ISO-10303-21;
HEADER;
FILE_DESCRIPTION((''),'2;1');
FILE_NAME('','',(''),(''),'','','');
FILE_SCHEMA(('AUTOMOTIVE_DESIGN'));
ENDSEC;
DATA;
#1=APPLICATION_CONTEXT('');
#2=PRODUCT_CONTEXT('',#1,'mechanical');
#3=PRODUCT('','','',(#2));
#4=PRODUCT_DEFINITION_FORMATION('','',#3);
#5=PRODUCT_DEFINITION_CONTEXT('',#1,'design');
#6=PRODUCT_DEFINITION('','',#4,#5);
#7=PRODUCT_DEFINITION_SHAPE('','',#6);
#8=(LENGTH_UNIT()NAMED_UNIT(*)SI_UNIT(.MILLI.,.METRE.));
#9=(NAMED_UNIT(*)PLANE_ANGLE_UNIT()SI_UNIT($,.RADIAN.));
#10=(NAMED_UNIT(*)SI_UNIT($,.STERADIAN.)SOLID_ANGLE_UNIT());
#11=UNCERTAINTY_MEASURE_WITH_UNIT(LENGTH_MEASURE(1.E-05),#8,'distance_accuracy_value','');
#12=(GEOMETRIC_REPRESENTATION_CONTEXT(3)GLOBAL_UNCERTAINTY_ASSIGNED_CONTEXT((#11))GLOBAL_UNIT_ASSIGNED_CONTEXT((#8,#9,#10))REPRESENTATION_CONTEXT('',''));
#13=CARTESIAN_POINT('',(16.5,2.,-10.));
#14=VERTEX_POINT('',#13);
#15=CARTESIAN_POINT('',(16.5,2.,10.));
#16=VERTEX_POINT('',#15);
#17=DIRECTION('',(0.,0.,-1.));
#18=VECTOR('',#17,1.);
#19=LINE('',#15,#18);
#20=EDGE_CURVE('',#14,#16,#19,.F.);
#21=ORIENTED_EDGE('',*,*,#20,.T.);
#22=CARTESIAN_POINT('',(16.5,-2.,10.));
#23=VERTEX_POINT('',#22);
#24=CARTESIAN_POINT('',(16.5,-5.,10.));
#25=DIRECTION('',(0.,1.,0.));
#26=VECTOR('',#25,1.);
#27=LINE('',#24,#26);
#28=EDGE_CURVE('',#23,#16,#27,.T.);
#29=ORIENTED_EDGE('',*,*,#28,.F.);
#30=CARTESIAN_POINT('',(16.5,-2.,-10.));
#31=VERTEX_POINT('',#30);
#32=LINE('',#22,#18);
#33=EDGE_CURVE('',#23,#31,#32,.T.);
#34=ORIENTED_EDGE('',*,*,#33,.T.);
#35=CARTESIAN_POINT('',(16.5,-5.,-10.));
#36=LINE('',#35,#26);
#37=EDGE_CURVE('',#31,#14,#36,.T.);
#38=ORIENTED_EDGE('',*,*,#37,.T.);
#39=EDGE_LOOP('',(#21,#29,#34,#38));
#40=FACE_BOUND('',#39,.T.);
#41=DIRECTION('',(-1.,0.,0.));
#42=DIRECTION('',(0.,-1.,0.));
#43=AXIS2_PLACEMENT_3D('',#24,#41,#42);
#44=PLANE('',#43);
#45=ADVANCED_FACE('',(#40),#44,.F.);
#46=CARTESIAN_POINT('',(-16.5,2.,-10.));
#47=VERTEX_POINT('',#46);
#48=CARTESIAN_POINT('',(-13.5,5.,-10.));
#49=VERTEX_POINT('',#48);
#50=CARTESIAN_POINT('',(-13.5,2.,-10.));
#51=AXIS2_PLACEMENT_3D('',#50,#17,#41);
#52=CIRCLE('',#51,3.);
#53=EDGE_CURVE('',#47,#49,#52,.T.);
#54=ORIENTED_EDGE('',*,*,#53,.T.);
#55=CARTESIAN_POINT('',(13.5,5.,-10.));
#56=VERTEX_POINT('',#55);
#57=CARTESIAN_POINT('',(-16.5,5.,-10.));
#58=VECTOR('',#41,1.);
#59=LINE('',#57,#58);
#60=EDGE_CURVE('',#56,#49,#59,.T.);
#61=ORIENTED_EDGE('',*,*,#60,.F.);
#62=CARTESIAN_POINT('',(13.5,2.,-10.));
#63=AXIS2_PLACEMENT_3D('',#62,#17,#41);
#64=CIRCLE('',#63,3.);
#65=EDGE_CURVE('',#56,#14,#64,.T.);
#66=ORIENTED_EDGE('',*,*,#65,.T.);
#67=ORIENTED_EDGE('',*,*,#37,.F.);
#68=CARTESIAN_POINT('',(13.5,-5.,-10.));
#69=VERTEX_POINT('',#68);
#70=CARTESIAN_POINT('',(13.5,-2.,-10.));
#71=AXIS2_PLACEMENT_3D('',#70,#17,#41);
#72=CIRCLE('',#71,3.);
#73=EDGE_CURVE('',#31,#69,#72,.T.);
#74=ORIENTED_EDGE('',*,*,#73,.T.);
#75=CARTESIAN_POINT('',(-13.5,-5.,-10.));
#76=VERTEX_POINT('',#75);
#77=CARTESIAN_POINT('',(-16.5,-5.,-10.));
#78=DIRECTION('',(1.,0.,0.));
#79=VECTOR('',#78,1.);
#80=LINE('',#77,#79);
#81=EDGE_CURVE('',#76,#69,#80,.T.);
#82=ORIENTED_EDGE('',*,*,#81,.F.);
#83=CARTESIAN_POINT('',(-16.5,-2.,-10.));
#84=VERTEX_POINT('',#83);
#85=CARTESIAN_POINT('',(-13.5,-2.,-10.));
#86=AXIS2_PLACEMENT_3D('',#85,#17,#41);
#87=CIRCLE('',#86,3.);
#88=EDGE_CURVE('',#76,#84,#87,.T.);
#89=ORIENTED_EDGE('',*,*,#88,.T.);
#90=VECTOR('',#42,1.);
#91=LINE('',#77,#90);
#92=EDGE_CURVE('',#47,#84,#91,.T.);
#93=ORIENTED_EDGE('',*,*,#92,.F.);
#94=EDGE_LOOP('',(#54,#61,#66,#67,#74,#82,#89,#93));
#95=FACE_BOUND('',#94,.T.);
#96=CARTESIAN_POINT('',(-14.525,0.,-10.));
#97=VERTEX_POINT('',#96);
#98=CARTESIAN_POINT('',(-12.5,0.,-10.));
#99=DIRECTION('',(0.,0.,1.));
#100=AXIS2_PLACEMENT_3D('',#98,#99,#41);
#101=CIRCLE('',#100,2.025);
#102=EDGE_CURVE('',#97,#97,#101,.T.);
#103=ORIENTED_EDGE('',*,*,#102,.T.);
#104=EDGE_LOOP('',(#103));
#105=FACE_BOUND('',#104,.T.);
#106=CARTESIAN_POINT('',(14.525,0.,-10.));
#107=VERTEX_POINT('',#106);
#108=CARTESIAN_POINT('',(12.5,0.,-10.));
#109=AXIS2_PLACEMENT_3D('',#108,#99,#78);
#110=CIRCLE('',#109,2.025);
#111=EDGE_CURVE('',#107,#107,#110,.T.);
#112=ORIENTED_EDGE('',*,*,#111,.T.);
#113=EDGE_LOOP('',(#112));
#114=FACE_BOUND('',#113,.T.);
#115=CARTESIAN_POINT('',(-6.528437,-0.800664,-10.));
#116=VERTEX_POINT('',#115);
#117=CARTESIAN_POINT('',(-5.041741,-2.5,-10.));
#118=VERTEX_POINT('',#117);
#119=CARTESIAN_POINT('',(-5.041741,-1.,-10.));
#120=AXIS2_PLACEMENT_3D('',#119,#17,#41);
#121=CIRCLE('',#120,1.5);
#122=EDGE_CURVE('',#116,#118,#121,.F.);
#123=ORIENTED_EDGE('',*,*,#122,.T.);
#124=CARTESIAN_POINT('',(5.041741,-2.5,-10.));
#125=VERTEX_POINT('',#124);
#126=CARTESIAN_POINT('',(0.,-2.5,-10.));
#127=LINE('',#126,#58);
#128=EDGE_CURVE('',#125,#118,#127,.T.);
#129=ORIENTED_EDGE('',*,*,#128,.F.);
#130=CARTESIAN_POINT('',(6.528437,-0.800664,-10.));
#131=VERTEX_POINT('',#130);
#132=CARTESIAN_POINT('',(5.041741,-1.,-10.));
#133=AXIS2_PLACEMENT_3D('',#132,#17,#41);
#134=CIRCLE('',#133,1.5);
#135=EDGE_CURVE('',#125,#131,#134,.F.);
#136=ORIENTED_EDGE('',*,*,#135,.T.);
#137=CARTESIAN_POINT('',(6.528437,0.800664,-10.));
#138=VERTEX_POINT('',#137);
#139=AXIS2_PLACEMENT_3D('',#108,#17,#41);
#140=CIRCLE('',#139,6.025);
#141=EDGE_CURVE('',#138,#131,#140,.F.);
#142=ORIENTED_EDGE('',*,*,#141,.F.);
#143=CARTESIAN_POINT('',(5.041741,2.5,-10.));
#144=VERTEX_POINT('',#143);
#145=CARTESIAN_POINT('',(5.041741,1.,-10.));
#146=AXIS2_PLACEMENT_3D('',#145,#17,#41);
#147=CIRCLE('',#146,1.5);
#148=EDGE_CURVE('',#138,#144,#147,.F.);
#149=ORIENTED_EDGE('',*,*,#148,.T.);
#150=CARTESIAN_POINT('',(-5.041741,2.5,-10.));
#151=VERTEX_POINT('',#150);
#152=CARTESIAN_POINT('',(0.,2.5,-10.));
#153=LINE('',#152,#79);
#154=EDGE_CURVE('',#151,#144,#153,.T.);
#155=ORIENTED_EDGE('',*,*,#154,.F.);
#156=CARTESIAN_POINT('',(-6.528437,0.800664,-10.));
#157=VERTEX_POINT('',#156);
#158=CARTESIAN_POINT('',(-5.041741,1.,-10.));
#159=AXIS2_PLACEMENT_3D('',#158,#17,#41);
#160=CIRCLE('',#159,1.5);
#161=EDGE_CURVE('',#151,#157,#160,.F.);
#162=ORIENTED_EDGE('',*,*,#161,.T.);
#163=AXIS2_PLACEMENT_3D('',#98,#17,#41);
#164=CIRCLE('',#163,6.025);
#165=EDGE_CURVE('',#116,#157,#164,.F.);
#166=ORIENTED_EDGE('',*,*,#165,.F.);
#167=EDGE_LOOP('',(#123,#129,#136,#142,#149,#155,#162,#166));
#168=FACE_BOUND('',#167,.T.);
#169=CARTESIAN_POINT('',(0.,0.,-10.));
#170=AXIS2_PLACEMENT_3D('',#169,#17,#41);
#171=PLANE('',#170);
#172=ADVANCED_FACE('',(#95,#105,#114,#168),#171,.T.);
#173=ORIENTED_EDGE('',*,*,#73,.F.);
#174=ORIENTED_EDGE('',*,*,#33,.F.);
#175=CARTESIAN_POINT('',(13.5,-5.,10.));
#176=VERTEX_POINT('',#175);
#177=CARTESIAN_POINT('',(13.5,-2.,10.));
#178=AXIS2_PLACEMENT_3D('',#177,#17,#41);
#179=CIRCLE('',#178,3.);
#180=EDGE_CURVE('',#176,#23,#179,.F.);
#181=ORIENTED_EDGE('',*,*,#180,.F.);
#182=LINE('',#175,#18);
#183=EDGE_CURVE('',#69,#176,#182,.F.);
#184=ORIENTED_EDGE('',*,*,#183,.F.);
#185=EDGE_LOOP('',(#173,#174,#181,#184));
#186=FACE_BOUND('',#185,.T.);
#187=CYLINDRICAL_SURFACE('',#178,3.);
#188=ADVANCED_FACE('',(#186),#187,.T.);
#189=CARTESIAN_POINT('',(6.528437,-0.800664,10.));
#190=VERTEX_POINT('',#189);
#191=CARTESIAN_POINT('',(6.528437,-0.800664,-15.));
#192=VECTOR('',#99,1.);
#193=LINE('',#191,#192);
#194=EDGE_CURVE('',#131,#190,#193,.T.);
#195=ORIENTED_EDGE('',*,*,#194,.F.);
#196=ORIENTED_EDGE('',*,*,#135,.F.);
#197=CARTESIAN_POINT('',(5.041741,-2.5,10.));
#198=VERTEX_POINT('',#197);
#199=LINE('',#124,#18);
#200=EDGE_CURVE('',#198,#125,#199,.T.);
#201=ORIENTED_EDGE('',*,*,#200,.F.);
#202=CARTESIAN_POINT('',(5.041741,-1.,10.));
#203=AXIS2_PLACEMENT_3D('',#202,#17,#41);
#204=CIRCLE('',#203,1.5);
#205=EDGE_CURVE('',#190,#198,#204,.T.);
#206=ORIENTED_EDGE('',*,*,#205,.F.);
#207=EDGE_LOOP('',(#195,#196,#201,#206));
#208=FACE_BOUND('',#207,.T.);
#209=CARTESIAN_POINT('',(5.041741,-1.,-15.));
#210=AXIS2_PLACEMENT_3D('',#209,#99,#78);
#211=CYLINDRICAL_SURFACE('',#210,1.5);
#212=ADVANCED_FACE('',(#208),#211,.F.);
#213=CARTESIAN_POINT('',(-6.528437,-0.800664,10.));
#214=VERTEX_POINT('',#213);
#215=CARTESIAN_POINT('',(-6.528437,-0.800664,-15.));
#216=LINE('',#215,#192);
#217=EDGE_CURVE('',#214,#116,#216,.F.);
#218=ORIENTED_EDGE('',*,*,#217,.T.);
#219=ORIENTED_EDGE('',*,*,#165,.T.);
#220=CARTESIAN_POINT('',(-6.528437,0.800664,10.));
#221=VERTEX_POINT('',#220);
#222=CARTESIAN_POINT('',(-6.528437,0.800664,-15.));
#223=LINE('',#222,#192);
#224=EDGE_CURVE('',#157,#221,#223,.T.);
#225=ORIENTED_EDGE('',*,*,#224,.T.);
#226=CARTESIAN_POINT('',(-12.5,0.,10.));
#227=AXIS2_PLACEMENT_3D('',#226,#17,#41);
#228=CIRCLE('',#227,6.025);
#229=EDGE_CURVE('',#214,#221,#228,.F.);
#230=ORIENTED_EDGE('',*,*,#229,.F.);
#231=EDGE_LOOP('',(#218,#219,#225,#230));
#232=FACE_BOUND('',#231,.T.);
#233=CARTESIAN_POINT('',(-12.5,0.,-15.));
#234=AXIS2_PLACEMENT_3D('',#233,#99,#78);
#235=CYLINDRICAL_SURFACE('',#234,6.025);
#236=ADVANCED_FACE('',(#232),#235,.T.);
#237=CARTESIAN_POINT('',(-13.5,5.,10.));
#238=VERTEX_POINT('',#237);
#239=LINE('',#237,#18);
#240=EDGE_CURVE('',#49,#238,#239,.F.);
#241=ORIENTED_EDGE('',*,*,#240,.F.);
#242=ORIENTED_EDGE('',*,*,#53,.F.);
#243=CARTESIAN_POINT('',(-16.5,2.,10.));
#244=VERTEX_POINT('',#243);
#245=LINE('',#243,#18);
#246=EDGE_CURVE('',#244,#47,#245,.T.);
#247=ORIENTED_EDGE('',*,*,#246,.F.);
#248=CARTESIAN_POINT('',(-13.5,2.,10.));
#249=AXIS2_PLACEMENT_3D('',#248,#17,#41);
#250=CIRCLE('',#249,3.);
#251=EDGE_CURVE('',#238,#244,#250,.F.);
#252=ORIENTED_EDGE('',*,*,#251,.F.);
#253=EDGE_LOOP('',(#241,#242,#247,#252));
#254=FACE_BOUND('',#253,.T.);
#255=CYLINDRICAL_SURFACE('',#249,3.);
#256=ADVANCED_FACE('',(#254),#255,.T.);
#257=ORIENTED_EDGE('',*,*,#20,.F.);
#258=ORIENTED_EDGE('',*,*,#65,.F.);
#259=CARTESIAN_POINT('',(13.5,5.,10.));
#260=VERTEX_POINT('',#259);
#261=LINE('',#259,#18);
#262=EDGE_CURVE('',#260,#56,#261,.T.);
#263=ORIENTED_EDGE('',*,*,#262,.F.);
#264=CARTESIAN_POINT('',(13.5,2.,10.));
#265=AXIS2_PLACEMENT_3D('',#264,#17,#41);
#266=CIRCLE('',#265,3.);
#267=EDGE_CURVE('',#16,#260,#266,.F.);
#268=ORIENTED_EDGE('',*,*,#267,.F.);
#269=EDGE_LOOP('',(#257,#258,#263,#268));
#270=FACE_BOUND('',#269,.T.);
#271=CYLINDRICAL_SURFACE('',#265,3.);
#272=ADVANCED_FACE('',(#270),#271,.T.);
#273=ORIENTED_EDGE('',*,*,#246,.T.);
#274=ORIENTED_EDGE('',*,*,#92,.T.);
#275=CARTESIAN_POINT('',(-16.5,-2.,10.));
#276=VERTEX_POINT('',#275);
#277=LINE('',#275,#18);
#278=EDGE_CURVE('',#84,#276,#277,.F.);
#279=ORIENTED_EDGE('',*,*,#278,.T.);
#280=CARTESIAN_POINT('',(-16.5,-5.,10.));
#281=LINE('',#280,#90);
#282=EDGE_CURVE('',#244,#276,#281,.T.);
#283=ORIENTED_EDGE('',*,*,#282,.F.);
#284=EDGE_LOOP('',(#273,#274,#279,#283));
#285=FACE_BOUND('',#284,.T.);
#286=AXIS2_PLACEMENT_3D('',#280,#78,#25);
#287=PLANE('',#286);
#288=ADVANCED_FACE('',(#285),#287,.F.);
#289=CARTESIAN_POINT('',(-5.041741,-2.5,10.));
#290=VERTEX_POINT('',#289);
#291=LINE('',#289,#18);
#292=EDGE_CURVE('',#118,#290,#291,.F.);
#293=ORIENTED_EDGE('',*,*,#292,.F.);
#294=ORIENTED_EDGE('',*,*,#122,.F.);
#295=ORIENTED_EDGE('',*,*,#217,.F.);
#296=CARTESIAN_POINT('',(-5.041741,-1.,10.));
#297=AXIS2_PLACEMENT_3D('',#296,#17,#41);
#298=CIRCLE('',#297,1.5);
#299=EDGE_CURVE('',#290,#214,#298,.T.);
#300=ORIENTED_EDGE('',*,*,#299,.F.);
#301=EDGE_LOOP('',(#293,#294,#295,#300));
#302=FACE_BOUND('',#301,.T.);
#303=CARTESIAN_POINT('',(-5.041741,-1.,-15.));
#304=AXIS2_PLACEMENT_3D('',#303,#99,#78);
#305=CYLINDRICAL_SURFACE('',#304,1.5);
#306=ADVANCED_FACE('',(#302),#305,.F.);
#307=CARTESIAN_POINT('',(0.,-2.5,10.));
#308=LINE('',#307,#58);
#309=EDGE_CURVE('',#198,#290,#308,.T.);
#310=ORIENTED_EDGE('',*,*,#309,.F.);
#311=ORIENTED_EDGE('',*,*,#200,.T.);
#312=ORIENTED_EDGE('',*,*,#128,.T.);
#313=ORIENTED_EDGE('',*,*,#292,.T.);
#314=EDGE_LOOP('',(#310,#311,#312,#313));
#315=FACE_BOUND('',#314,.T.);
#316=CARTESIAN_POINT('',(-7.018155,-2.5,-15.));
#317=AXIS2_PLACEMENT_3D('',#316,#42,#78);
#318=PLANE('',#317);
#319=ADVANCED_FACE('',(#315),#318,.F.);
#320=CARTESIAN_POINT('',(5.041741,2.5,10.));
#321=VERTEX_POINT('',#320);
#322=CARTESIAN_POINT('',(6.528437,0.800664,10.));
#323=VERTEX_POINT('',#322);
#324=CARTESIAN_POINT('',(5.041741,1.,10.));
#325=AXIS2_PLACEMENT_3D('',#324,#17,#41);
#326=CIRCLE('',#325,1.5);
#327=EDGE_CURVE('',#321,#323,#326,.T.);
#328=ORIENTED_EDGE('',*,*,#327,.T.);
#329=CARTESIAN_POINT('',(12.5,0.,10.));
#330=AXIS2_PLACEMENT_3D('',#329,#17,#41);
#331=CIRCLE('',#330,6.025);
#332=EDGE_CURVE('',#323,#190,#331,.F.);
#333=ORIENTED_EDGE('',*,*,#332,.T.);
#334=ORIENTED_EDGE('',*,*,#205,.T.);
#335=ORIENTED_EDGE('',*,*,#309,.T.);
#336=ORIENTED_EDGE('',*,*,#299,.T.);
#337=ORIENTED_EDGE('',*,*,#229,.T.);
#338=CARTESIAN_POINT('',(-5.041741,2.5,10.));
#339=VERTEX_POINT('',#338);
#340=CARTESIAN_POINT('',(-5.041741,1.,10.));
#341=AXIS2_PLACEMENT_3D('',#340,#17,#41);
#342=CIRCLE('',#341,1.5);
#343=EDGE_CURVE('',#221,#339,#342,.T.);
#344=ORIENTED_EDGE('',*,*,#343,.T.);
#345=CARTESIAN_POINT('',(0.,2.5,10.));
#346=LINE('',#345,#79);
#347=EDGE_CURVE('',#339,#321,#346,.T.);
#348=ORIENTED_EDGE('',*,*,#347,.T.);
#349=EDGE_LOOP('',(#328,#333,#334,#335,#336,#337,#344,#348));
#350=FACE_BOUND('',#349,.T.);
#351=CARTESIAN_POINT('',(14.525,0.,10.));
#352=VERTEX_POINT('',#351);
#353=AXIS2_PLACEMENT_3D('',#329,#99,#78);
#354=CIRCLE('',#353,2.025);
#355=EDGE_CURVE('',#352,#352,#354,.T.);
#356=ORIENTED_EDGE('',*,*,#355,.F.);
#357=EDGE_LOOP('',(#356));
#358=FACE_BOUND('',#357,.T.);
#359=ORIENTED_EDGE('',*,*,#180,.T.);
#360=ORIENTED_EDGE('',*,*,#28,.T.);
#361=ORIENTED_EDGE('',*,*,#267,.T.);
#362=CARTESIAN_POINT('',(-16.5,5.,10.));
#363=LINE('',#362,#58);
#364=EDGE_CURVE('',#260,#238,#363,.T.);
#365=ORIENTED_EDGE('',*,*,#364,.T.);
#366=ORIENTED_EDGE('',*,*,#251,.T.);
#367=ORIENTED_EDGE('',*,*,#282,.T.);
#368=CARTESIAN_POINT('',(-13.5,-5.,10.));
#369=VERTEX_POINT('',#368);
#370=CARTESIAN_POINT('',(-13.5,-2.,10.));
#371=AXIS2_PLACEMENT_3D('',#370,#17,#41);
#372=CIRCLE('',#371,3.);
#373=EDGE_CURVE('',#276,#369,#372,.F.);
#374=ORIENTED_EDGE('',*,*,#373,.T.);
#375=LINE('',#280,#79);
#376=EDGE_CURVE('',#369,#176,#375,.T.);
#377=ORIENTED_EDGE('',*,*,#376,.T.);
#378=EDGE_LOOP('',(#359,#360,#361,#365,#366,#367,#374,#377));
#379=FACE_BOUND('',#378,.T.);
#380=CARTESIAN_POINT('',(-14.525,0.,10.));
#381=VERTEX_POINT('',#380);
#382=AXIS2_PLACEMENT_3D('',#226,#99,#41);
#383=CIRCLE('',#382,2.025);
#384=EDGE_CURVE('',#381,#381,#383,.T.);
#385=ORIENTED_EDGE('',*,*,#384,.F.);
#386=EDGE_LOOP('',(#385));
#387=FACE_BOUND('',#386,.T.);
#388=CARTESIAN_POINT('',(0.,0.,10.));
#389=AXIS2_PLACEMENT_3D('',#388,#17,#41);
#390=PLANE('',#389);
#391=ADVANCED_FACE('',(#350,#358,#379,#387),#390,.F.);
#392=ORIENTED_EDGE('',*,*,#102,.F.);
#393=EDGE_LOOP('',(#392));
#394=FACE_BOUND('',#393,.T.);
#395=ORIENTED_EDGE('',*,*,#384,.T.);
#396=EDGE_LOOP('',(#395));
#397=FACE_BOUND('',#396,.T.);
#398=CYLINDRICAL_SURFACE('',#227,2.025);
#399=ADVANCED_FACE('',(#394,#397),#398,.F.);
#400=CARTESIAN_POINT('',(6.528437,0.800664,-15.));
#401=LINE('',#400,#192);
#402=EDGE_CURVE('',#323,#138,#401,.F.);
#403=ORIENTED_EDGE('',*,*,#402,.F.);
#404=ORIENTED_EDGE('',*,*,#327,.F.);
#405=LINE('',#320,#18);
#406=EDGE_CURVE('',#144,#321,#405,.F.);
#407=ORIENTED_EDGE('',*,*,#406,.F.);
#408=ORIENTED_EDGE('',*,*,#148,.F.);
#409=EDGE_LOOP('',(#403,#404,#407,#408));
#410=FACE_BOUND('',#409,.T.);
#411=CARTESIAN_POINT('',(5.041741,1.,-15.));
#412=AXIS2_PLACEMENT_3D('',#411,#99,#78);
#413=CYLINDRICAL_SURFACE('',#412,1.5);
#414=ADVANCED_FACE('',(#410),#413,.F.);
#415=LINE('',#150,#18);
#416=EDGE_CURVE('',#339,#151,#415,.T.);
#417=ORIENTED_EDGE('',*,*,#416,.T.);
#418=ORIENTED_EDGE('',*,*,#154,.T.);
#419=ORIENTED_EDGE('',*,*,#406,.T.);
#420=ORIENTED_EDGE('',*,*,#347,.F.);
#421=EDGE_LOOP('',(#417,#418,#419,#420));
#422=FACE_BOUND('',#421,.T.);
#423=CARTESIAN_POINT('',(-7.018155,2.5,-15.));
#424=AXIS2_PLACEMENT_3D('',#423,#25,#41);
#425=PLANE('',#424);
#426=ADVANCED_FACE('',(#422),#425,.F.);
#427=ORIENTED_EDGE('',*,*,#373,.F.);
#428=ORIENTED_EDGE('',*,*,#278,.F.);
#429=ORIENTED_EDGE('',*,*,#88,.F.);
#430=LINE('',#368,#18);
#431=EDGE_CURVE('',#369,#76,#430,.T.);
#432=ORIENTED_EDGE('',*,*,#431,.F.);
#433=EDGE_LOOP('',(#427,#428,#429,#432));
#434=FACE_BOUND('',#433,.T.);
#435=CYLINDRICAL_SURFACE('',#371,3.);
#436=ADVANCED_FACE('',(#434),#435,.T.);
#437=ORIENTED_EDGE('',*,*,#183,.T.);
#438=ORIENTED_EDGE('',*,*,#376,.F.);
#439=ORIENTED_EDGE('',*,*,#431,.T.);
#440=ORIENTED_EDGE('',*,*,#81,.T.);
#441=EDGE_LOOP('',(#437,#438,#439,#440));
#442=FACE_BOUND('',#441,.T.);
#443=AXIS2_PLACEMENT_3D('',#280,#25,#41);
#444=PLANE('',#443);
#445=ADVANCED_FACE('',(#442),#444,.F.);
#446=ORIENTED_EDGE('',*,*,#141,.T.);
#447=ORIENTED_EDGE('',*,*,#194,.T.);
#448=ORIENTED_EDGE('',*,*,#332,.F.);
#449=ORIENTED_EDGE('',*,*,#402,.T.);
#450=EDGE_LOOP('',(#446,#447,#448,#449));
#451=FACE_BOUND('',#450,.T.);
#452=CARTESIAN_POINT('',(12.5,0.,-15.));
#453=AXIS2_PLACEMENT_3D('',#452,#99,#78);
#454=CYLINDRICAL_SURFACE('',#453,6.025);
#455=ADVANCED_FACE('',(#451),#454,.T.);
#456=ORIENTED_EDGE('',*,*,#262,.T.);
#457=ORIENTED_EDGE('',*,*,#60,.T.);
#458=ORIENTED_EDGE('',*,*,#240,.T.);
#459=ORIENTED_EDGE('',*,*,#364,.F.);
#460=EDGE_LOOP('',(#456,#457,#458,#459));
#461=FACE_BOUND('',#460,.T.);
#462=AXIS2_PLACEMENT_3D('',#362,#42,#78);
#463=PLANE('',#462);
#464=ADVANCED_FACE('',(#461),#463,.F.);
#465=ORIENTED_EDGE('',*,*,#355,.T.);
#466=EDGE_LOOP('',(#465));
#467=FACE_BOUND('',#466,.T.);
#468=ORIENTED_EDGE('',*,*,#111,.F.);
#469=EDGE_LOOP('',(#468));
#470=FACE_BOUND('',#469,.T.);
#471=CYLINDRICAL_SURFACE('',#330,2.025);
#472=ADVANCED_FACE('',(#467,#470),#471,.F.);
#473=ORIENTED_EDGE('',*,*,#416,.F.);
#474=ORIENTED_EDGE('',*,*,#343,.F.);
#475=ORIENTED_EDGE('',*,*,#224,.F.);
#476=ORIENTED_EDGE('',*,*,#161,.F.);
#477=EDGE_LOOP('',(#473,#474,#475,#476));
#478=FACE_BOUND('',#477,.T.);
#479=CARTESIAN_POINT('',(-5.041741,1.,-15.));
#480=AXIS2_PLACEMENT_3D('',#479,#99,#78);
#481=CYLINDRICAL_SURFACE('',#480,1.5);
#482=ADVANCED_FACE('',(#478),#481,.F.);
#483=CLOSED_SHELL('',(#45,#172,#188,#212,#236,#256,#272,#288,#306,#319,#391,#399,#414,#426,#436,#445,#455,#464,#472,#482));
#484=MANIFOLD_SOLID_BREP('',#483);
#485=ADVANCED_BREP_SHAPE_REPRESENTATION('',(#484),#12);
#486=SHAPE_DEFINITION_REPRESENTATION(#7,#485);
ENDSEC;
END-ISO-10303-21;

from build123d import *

# Parameters (mm, degrees)
SKETCH_1_W          = 33
SKETCH_1_H          = 10
SKETCH_1_R          = 2.025
EXTRUDE_1_DEPTH     = 10
CUT_EXTRUDE_1_DEPTH = 25
FILLET_1_R          = 1.5
FILLET_2_R          = 3


with BuildPart() as part:
    # 草图1 → 凸台-拉伸1 (new, symmetric)
    with BuildSketch(Plane.XY):
        Rectangle(SKETCH_1_W, SKETCH_1_H)
        with Locations((12.5, 0)):
            Circle(SKETCH_1_R, mode=Mode.SUBTRACT)
        with Locations(Location((-12.5, 0, 0), (0, 0, 180))):
            Circle(SKETCH_1_R, mode=Mode.SUBTRACT)
    extrude(amount=EXTRUDE_1_DEPTH, both=True)

    # 草图2 → 切除-拉伸1 (cut, symmetric)
    with BuildSketch(Plane.XY.offset(10)):
        with BuildLine():
            Line((-7.018154964, 2.5), (7.018154964, 2.5))
            ThreePointArc((7.018154964, 2.5), (6.475, 0), (7.018154964, -2.5))
            Line((7.018154964, -2.5), (-7.018154964, -2.5))
            ThreePointArc((-7.018154964, -2.5), (-6.475, 0), (-7.018154964, 2.5))
        make_face()
    extrude(amount=CUT_EXTRUDE_1_DEPTH, both=True, mode=Mode.SUBTRACT)

    # 圆角1
    fillet_1_edges = [part.edges().sort_by_distance(p)[0] for p in [
        (-7.018154964, -2.5, 0),
        (-7.018154964, 2.5, 0),
        (7.018154964, 2.5, 0),
        (7.018154964, -2.5, 0),
    ]]
    fillet(fillet_1_edges, radius=FILLET_1_R)

    # 圆角2
    fillet_2_edges = [part.edges().sort_by_distance(p)[0] for p in [
        (16.5, -5, 0),
        (-16.5, -5, 0),
        (-16.5, 5, 0),
        (16.5, 5, 0),
    ]]
    fillet(fillet_2_edges, radius=FILLET_2_R)


solid = part.part
